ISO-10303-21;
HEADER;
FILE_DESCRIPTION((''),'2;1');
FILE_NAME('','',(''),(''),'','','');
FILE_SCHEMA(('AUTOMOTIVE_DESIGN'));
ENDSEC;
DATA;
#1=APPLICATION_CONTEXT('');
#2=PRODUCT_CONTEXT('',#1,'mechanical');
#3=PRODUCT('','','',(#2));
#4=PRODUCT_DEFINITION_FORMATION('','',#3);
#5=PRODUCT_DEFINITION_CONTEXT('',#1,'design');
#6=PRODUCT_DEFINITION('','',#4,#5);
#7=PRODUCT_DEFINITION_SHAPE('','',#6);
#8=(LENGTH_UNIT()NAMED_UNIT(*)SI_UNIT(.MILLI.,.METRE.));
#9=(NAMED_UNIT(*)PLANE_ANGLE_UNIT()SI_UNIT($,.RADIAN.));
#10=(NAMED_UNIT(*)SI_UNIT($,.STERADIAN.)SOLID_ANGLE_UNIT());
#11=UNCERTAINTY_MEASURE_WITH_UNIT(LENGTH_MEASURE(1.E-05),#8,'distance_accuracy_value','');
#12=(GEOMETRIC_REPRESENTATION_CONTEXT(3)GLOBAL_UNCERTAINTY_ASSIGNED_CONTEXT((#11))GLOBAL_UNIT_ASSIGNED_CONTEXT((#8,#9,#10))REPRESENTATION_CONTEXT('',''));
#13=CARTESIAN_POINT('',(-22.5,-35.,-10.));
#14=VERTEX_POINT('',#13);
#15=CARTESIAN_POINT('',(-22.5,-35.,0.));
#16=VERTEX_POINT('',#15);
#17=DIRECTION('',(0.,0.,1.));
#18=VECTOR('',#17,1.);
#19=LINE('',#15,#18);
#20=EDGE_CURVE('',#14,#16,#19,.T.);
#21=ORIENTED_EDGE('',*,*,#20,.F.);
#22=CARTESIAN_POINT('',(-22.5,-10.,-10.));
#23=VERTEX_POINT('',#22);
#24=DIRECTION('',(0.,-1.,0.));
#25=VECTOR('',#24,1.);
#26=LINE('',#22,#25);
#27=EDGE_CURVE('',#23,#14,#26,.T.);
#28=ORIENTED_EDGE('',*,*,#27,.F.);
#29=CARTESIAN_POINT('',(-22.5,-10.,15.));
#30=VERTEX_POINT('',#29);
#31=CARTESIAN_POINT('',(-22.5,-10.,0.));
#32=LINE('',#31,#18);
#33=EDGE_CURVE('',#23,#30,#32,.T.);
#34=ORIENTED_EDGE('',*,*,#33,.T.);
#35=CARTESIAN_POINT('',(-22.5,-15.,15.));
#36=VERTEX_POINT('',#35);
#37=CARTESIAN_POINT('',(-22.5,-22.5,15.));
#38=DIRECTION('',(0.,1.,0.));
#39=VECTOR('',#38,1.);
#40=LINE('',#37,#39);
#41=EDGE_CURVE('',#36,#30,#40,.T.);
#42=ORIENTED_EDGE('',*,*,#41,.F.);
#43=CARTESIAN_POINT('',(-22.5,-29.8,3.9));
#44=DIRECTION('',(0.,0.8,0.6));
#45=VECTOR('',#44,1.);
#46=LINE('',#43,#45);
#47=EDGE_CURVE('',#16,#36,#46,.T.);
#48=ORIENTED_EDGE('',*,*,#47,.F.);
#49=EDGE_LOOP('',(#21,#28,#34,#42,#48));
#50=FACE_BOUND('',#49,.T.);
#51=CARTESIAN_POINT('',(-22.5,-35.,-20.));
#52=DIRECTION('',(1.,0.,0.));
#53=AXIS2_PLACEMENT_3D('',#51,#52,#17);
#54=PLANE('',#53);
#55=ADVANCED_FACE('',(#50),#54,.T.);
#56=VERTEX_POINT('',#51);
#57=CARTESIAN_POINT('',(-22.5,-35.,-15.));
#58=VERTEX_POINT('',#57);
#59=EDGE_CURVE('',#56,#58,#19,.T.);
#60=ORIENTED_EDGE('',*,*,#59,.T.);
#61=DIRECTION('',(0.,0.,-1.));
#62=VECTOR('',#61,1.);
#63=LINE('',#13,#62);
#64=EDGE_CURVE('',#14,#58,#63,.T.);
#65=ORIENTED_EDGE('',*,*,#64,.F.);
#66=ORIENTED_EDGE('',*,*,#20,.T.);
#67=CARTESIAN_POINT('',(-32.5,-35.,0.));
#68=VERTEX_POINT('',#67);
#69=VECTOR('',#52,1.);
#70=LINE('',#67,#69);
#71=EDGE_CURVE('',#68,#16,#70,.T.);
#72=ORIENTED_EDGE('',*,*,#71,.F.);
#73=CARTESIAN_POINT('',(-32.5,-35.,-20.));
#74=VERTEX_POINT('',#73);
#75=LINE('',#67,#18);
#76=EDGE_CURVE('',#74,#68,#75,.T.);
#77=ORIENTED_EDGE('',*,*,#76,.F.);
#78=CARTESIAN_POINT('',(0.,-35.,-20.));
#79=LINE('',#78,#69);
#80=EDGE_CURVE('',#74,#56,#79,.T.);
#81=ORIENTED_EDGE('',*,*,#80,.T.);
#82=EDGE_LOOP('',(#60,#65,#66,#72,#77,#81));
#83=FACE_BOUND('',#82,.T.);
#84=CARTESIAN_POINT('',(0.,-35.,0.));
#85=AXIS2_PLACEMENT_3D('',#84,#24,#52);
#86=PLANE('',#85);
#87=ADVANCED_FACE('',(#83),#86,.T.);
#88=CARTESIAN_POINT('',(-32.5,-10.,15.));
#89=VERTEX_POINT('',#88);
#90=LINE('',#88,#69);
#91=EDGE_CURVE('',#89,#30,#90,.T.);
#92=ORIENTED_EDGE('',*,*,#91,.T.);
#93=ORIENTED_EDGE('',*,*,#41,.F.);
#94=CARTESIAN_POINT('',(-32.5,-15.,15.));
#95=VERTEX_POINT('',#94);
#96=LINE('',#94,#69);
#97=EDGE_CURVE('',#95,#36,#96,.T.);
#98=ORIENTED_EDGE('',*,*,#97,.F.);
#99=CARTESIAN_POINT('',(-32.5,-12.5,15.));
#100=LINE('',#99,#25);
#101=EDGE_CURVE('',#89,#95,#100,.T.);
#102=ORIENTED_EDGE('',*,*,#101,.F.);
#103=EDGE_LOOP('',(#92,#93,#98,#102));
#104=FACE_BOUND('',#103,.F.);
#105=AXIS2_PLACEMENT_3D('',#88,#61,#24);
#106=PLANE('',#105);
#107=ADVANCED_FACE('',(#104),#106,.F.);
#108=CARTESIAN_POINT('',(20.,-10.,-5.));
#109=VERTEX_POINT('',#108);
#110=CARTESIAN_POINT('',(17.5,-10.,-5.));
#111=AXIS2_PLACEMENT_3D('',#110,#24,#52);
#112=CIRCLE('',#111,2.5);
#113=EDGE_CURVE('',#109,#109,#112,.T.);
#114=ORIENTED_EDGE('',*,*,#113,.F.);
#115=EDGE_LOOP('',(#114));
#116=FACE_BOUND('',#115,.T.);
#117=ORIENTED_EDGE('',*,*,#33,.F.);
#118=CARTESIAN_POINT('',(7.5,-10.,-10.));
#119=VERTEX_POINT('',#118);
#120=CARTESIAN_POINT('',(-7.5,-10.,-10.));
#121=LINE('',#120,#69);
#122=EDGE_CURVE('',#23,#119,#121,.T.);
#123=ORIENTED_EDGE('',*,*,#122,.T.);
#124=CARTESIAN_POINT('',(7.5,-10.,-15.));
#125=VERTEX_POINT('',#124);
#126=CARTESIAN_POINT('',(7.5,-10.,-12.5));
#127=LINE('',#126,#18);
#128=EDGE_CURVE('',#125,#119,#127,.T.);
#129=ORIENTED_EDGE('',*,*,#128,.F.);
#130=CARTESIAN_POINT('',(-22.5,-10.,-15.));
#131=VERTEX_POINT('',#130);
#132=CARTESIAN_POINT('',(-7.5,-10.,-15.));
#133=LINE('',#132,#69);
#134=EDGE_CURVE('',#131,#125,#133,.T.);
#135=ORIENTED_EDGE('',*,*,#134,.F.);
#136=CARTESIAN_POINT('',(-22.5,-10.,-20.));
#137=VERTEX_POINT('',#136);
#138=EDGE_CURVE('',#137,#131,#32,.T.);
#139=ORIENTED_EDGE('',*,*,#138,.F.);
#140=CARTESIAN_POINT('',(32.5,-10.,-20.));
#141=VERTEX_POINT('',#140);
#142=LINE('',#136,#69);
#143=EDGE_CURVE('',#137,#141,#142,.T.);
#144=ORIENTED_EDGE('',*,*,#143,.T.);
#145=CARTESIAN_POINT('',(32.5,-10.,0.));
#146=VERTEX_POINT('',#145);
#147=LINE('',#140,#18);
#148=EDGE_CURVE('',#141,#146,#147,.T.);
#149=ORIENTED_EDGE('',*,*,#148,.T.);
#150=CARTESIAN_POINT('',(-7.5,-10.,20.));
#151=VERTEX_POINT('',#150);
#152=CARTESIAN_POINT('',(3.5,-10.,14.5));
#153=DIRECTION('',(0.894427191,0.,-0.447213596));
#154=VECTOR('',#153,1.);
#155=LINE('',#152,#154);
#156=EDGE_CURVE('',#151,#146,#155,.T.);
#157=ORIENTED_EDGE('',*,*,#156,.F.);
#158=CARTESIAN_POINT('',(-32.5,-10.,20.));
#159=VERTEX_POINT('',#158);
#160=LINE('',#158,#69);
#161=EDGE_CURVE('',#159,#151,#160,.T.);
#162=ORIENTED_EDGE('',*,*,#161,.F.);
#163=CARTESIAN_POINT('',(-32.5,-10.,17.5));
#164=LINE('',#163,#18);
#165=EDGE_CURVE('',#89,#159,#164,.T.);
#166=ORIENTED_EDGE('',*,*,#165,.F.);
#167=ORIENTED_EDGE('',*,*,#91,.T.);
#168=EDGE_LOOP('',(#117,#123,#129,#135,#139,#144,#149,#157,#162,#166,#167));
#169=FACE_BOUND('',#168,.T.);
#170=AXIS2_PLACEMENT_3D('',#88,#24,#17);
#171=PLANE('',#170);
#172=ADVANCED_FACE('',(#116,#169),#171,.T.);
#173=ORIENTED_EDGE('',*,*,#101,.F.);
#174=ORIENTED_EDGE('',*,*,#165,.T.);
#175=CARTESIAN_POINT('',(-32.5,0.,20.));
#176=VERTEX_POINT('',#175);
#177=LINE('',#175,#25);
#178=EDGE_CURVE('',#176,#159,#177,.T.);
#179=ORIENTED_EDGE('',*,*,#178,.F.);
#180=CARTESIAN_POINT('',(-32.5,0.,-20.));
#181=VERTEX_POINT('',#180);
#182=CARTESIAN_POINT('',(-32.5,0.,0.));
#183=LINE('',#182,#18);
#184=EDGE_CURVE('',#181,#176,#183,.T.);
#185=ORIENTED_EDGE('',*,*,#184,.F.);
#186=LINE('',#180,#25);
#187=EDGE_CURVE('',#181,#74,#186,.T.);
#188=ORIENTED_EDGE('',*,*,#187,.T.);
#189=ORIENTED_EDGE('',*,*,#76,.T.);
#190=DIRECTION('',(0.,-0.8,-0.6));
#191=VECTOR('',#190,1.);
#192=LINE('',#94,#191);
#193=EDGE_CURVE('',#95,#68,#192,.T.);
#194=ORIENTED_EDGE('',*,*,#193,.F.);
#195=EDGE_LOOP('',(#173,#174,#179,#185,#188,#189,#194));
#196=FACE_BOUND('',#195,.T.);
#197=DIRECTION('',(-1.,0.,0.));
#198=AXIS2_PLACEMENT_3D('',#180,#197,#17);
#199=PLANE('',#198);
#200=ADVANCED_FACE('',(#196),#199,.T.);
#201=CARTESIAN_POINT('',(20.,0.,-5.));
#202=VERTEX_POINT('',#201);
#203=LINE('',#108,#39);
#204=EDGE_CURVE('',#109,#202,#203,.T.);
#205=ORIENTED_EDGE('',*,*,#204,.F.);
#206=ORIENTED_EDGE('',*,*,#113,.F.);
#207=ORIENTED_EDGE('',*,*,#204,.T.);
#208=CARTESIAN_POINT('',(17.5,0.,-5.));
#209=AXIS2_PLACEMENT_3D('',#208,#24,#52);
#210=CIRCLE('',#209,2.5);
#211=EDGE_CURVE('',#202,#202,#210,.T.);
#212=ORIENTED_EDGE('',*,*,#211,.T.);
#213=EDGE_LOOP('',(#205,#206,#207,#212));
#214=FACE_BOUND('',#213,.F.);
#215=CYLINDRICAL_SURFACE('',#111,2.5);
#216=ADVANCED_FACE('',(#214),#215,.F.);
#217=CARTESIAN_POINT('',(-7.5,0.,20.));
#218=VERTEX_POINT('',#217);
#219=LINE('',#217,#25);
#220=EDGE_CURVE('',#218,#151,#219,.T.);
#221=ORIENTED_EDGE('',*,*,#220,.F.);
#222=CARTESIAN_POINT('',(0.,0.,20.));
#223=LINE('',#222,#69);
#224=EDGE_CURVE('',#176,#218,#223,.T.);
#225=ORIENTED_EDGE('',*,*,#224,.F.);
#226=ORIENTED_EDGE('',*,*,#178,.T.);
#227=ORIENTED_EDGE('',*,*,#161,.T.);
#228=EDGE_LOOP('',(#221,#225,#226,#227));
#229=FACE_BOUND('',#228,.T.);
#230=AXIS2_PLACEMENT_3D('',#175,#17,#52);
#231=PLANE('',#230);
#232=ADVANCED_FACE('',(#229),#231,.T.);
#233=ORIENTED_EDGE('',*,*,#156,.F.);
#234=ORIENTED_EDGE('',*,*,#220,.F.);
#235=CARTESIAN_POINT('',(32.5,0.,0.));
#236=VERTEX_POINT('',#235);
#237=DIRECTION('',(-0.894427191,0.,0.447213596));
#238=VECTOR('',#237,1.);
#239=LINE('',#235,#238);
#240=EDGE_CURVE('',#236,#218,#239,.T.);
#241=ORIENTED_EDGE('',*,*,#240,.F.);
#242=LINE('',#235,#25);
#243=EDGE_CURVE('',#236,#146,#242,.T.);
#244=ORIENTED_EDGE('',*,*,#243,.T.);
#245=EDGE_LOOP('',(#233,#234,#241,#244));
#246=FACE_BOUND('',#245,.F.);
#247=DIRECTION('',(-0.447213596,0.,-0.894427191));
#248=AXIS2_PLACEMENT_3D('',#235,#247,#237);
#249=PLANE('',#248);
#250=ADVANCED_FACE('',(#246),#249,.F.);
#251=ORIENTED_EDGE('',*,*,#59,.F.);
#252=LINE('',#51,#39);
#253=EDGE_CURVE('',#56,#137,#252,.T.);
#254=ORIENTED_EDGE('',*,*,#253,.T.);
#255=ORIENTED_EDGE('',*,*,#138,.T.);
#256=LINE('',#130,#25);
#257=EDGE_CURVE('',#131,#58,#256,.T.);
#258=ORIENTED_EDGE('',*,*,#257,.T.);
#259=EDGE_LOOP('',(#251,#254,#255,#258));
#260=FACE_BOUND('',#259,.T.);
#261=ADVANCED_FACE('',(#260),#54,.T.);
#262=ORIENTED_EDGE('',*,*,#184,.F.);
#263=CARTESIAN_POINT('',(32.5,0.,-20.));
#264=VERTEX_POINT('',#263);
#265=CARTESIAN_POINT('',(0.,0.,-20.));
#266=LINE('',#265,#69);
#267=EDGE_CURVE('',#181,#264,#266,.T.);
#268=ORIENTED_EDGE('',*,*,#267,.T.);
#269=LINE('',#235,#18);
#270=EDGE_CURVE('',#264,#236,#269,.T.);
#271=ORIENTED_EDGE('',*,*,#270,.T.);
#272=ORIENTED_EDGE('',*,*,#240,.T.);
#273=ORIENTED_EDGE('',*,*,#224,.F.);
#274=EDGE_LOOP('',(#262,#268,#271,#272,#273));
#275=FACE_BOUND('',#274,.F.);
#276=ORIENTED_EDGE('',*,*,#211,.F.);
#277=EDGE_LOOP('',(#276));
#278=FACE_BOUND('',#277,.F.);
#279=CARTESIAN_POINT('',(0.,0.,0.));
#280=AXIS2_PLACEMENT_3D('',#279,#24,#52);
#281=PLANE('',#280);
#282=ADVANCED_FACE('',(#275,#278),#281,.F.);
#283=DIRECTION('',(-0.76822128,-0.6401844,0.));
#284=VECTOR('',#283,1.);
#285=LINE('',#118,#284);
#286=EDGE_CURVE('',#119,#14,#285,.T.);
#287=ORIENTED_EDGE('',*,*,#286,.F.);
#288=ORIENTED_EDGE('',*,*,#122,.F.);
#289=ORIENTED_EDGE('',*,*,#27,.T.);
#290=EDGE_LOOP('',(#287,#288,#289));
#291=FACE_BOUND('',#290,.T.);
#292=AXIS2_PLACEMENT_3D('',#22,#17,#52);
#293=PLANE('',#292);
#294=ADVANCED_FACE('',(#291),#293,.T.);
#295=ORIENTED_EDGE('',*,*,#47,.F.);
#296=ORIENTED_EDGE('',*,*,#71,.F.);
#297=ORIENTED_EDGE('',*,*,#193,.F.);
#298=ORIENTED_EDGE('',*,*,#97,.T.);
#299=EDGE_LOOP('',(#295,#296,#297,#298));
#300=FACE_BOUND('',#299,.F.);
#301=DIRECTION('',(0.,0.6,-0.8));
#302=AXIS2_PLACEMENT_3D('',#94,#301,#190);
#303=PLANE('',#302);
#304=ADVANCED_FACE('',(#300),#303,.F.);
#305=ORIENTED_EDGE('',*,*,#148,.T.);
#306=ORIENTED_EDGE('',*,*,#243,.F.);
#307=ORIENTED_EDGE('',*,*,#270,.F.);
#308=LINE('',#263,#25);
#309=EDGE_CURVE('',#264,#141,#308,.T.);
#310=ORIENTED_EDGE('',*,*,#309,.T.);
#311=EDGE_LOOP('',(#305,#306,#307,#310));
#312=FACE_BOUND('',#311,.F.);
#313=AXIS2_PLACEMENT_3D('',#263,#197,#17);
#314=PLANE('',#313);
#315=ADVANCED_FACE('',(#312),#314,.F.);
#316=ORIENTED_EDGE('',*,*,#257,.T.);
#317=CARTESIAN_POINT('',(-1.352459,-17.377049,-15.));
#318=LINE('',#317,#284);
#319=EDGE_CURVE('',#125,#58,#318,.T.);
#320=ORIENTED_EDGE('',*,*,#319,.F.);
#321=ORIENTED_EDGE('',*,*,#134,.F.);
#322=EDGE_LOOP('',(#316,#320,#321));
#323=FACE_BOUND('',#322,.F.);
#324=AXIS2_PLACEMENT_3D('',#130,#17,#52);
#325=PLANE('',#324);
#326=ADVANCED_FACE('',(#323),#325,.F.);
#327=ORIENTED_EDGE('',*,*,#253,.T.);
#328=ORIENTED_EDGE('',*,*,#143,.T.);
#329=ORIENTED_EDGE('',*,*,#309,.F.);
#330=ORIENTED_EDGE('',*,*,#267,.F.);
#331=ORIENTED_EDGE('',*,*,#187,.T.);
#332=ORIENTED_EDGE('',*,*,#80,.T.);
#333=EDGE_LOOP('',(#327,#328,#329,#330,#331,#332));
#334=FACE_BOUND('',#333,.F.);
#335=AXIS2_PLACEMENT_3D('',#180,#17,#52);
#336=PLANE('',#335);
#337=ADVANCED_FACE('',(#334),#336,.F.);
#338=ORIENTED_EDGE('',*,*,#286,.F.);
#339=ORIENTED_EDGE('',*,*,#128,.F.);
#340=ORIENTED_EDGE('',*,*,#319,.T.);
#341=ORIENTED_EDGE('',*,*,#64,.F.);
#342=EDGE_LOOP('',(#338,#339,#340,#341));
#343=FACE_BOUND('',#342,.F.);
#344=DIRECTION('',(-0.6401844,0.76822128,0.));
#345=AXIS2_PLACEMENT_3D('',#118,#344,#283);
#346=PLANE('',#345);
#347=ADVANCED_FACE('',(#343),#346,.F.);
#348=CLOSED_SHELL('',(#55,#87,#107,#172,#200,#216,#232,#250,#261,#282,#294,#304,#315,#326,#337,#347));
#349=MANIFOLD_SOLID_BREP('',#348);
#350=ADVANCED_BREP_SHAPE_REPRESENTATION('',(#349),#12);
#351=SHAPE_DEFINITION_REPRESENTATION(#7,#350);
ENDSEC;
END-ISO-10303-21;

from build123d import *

# Parameters (mm, degrees)
F0_W      = 65
F0_H      = 40
F1_DEPTH  = 35
F2_W      = 55
F2_H      = 40
F3_DEPTH  = 25
F4_W      = 5
F4_H      = 5
F5_DEPTH  = 65.001
F6_R      = 2.5
F7_DEPTH  = 10.001
F9_DEPTH  = 65.001
F11_DEPTH = 35.001
F12_W     = 30
F12_H     = 5
F13_DEPTH = 25
F15_DEPTH = 10.001


with BuildPart() as f1:
    # F0 (on Front) → F1 (new body)
    with BuildSketch(Plane.XZ):
        Rectangle(F0_W, F0_H)
    extrude(amount=F1_DEPTH)

    # F2 (on face) → F3 (cut)
    with BuildSketch(Plane.XZ.offset(35)):
        with Locations((5, 0)):
            Rectangle(F2_W, F2_H)
    extrude(amount=-F3_DEPTH, mode=Mode.SUBTRACT)

    # F4 (on face) → F5 (cut, through all)
    with BuildSketch(Plane(origin=(-32.5, 0, 0), x_dir=(0, -1, 0), z_dir=(-1, 0, 0))):
        with Locations((12.5, 17.5)):
            Rectangle(F4_W, F4_H)
    extrude(amount=-F5_DEPTH, mode=Mode.SUBTRACT)

    # F6 (on face) → F7 (cut, through all)
    with BuildSketch(Plane.XZ.offset(10)):
        with Locations((17.5, -5)):
            Circle(F6_R)
    extrude(amount=-F7_DEPTH, mode=Mode.SUBTRACT)

    # F8 (on face) → F9 (cut, through all)
    with BuildSketch(Plane(origin=(-32.5, 0, 0), x_dir=(0, -1, 0), z_dir=(-1, 0, 0))):
        Polygon((15, 20), (15, 15), (35, 0), (35, 20), align=None)
    extrude(amount=-F9_DEPTH, mode=Mode.SUBTRACT)

    # F10 (on face) → F11 (cut, through all)
    with BuildSketch(Plane(origin=(0, 0, 0), x_dir=(-1, 0, 0), z_dir=(0, 1, 0))):
        Polygon((7.5, 20), (-32.5, 20), (-32.5, 0), align=None)
    extrude(amount=-F11_DEPTH, mode=Mode.SUBTRACT)

    # F12 (on face) → F13 (join)
    with BuildSketch(Plane.XZ.offset(10)):
        with Locations((-7.5, -12.5)):
            Rectangle(F12_W, F12_H)
    extrude(amount=F13_DEPTH)

    # F14 (on face) → F15 (cut, through all)
    with BuildSketch(Plane.XY.offset(-10)):
        Polygon((7.5, -10), (-22.5, -35), (7.5, -35), align=None)
    extrude(amount=-F15_DEPTH, mode=Mode.SUBTRACT)


solid = f1.part
